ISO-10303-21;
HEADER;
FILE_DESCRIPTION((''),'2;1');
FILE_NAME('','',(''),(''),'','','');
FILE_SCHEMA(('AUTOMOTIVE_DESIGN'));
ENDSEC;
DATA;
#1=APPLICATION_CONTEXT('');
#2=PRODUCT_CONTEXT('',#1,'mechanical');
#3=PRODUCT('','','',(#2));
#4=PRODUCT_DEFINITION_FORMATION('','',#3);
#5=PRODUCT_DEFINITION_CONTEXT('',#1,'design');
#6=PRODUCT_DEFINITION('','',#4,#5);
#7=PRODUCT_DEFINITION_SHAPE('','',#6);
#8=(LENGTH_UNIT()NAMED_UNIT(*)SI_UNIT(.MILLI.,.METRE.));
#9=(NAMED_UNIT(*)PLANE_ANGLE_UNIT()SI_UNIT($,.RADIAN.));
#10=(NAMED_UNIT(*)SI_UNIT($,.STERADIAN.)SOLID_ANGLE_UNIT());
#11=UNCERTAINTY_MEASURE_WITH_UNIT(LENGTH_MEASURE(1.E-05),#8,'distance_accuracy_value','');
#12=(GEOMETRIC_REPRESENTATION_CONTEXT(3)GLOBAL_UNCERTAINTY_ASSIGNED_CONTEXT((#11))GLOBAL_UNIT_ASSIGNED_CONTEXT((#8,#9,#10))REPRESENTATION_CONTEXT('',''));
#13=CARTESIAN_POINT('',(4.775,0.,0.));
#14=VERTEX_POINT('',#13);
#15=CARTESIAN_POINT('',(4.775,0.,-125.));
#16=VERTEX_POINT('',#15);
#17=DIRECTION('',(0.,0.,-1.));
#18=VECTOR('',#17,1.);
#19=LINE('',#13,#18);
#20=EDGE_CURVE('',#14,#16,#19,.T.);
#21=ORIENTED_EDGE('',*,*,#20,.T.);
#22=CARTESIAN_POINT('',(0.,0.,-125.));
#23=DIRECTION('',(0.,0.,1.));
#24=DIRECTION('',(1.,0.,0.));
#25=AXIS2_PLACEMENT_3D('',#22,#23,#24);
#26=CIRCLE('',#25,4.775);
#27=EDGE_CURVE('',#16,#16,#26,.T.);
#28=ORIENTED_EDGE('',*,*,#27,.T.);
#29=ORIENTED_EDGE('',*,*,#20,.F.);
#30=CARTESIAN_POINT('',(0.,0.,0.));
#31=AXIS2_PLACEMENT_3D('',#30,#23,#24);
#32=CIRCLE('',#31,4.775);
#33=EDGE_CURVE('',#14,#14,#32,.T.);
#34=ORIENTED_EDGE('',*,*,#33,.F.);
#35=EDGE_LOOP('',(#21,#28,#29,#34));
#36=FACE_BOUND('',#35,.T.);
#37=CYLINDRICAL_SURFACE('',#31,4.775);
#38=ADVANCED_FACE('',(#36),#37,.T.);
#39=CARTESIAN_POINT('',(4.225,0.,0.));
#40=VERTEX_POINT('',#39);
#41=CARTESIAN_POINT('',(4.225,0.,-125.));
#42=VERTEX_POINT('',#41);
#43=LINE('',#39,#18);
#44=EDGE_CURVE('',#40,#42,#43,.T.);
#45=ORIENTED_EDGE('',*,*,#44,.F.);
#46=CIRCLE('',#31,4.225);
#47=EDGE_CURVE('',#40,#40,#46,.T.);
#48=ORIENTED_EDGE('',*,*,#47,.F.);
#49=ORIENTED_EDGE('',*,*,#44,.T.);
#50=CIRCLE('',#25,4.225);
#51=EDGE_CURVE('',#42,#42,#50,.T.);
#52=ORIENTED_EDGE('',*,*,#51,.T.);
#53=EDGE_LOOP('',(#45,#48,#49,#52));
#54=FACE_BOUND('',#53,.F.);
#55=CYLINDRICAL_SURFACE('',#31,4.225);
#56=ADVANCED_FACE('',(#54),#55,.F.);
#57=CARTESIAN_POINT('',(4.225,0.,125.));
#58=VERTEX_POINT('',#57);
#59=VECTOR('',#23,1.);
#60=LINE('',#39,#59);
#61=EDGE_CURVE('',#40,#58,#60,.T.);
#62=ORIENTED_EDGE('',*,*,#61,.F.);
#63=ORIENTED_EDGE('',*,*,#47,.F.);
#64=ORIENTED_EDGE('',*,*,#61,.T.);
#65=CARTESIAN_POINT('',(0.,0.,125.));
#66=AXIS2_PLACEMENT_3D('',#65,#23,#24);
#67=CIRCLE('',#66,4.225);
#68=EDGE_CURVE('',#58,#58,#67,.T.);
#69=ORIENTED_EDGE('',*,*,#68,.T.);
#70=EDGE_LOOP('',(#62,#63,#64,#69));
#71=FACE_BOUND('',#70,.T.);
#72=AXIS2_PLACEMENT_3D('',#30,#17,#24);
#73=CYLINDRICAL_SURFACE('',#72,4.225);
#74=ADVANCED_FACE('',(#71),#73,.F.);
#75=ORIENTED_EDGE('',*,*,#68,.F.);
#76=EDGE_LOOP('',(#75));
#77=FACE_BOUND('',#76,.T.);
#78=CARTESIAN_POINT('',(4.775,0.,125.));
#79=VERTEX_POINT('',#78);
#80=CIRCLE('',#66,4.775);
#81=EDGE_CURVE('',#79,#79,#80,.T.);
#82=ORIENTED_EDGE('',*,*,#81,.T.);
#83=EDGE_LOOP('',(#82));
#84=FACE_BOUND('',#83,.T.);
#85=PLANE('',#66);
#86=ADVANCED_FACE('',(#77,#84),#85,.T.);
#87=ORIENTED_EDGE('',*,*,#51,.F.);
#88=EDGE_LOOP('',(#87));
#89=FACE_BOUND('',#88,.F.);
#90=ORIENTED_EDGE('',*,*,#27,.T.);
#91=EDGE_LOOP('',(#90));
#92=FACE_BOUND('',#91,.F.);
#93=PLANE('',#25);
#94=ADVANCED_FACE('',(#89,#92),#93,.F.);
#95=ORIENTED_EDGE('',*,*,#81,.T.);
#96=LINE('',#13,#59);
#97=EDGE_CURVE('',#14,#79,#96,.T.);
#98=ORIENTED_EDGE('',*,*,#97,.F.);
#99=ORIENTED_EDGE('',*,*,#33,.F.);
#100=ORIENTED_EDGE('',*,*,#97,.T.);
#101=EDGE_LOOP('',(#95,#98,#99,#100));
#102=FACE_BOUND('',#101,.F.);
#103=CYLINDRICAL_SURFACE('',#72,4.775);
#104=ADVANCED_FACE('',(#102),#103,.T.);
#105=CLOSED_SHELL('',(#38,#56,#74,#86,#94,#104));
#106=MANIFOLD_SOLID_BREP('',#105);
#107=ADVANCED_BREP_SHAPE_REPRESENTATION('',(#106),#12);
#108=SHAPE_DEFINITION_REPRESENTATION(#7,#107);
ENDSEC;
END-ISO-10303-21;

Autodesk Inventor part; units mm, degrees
ref_plane "YZ Plane" through (0, 0, 0) normal (1, 0, 0) x (0, 1, 0)
ref_plane "XZ Plane" through (0, 0, 0) normal (0, 1, 0) x (-1, 0, 0)
ref_plane "XY Plane" through (0, 0, 0) normal (0, 0, 1) x (1, 0, 0)
sketch "Sketch1" plane through (0, 0, 0) normal (0, 0, 1) x (1, 0, 0)
  circle A0 centre (0, 0) radius 4.225
  circle A1 centre (0, 0) radius 4.775
  dimension "RodInner" = 8.45
  dimension "RodDia" = 9.55
extrude "Extrusion1" add sketch "Sketch1" along normal mid plane 250
properties part number "ROD003 - Rod 9.5mm"
